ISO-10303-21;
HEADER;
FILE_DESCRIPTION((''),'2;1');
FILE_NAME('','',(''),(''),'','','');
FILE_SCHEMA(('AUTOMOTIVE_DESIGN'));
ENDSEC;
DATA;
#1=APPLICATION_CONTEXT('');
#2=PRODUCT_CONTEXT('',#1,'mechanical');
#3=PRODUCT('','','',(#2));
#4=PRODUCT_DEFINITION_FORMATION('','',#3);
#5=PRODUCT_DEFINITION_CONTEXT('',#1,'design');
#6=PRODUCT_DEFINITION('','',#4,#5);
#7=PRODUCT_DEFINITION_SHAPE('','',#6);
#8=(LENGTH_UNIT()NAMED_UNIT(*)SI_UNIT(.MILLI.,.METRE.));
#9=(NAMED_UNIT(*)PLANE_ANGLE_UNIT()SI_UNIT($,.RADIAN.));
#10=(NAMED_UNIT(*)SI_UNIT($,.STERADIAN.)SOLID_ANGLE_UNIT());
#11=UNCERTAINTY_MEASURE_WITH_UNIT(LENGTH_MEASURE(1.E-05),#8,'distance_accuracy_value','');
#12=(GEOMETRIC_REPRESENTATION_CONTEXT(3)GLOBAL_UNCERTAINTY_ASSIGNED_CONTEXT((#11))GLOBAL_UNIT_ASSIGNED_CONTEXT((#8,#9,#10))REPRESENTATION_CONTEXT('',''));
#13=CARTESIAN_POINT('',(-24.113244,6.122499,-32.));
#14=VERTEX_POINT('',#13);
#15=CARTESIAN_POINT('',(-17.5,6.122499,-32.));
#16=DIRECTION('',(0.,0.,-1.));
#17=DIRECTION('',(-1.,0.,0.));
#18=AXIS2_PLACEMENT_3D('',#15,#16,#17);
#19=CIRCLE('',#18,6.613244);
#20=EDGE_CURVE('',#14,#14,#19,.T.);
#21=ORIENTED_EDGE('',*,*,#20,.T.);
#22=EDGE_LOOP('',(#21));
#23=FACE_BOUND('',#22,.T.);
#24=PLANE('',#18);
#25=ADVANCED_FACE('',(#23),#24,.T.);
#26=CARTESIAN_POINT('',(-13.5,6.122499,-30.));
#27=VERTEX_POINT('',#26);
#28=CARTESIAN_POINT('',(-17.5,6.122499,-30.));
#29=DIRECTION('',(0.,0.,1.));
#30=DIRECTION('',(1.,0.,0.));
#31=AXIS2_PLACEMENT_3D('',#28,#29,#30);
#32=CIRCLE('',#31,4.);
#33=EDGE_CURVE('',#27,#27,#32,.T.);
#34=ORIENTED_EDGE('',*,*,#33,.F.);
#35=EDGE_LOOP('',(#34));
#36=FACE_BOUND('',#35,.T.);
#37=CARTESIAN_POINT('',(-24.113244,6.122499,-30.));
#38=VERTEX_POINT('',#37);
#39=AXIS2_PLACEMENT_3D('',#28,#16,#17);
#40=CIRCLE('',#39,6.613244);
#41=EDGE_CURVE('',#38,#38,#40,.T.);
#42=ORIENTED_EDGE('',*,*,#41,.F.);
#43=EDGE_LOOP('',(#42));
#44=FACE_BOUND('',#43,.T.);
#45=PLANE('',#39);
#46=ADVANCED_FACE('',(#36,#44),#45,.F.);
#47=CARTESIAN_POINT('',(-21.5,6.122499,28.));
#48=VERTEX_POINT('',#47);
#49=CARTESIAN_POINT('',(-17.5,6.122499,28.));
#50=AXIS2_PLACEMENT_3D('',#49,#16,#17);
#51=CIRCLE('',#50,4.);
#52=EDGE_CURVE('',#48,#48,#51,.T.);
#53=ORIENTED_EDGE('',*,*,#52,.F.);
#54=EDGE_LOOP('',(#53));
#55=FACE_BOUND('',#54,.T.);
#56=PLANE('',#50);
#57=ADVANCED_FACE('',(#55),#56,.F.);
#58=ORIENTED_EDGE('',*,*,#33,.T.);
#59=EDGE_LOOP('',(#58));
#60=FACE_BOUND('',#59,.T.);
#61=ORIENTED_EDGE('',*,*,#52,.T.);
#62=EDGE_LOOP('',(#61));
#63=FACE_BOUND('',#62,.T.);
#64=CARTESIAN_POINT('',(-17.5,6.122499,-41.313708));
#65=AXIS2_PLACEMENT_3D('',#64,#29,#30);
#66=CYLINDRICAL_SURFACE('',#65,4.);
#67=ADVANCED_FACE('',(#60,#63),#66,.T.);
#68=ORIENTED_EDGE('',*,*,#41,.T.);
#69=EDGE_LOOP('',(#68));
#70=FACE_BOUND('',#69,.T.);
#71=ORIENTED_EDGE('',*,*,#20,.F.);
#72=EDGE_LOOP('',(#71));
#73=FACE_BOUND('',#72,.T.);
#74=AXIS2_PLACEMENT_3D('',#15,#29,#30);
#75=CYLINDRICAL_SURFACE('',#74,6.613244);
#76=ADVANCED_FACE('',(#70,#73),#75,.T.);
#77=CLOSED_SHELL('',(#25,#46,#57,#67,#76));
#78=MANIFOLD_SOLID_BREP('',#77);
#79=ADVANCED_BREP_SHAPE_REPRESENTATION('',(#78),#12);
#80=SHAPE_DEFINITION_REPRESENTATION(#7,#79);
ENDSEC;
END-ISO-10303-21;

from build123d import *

# Parameters (mm, degrees)
SKETCH1_R           = 4
BOSS_EXTRUDE1_DEPTH = 58
SKETCH2_R           = 6.613243833
BOSS_EXTRUDE2_DEPTH = 2


with BuildPart() as part:
    # Sketch1 → Boss-Extrude1 (new body)
    with BuildSketch(Plane(origin=(0, 0, 28), x_dir=(-1, 0, 0), z_dir=(0, 0, -1))):
        with Locations((17.5, 6.122498999)):
            Circle(SKETCH1_R)
    extrude(amount=BOSS_EXTRUDE1_DEPTH)

    # Sketch2 → Boss-Extrude2 (add)
    with BuildSketch(Plane(origin=(0, 0, -30), x_dir=(-1, 0, 0), z_dir=(0, 0, -1))):
        with Locations((17.5, 6.122498999)):
            Circle(SKETCH2_R)
    extrude(amount=BOSS_EXTRUDE2_DEPTH)


solid = part.part
